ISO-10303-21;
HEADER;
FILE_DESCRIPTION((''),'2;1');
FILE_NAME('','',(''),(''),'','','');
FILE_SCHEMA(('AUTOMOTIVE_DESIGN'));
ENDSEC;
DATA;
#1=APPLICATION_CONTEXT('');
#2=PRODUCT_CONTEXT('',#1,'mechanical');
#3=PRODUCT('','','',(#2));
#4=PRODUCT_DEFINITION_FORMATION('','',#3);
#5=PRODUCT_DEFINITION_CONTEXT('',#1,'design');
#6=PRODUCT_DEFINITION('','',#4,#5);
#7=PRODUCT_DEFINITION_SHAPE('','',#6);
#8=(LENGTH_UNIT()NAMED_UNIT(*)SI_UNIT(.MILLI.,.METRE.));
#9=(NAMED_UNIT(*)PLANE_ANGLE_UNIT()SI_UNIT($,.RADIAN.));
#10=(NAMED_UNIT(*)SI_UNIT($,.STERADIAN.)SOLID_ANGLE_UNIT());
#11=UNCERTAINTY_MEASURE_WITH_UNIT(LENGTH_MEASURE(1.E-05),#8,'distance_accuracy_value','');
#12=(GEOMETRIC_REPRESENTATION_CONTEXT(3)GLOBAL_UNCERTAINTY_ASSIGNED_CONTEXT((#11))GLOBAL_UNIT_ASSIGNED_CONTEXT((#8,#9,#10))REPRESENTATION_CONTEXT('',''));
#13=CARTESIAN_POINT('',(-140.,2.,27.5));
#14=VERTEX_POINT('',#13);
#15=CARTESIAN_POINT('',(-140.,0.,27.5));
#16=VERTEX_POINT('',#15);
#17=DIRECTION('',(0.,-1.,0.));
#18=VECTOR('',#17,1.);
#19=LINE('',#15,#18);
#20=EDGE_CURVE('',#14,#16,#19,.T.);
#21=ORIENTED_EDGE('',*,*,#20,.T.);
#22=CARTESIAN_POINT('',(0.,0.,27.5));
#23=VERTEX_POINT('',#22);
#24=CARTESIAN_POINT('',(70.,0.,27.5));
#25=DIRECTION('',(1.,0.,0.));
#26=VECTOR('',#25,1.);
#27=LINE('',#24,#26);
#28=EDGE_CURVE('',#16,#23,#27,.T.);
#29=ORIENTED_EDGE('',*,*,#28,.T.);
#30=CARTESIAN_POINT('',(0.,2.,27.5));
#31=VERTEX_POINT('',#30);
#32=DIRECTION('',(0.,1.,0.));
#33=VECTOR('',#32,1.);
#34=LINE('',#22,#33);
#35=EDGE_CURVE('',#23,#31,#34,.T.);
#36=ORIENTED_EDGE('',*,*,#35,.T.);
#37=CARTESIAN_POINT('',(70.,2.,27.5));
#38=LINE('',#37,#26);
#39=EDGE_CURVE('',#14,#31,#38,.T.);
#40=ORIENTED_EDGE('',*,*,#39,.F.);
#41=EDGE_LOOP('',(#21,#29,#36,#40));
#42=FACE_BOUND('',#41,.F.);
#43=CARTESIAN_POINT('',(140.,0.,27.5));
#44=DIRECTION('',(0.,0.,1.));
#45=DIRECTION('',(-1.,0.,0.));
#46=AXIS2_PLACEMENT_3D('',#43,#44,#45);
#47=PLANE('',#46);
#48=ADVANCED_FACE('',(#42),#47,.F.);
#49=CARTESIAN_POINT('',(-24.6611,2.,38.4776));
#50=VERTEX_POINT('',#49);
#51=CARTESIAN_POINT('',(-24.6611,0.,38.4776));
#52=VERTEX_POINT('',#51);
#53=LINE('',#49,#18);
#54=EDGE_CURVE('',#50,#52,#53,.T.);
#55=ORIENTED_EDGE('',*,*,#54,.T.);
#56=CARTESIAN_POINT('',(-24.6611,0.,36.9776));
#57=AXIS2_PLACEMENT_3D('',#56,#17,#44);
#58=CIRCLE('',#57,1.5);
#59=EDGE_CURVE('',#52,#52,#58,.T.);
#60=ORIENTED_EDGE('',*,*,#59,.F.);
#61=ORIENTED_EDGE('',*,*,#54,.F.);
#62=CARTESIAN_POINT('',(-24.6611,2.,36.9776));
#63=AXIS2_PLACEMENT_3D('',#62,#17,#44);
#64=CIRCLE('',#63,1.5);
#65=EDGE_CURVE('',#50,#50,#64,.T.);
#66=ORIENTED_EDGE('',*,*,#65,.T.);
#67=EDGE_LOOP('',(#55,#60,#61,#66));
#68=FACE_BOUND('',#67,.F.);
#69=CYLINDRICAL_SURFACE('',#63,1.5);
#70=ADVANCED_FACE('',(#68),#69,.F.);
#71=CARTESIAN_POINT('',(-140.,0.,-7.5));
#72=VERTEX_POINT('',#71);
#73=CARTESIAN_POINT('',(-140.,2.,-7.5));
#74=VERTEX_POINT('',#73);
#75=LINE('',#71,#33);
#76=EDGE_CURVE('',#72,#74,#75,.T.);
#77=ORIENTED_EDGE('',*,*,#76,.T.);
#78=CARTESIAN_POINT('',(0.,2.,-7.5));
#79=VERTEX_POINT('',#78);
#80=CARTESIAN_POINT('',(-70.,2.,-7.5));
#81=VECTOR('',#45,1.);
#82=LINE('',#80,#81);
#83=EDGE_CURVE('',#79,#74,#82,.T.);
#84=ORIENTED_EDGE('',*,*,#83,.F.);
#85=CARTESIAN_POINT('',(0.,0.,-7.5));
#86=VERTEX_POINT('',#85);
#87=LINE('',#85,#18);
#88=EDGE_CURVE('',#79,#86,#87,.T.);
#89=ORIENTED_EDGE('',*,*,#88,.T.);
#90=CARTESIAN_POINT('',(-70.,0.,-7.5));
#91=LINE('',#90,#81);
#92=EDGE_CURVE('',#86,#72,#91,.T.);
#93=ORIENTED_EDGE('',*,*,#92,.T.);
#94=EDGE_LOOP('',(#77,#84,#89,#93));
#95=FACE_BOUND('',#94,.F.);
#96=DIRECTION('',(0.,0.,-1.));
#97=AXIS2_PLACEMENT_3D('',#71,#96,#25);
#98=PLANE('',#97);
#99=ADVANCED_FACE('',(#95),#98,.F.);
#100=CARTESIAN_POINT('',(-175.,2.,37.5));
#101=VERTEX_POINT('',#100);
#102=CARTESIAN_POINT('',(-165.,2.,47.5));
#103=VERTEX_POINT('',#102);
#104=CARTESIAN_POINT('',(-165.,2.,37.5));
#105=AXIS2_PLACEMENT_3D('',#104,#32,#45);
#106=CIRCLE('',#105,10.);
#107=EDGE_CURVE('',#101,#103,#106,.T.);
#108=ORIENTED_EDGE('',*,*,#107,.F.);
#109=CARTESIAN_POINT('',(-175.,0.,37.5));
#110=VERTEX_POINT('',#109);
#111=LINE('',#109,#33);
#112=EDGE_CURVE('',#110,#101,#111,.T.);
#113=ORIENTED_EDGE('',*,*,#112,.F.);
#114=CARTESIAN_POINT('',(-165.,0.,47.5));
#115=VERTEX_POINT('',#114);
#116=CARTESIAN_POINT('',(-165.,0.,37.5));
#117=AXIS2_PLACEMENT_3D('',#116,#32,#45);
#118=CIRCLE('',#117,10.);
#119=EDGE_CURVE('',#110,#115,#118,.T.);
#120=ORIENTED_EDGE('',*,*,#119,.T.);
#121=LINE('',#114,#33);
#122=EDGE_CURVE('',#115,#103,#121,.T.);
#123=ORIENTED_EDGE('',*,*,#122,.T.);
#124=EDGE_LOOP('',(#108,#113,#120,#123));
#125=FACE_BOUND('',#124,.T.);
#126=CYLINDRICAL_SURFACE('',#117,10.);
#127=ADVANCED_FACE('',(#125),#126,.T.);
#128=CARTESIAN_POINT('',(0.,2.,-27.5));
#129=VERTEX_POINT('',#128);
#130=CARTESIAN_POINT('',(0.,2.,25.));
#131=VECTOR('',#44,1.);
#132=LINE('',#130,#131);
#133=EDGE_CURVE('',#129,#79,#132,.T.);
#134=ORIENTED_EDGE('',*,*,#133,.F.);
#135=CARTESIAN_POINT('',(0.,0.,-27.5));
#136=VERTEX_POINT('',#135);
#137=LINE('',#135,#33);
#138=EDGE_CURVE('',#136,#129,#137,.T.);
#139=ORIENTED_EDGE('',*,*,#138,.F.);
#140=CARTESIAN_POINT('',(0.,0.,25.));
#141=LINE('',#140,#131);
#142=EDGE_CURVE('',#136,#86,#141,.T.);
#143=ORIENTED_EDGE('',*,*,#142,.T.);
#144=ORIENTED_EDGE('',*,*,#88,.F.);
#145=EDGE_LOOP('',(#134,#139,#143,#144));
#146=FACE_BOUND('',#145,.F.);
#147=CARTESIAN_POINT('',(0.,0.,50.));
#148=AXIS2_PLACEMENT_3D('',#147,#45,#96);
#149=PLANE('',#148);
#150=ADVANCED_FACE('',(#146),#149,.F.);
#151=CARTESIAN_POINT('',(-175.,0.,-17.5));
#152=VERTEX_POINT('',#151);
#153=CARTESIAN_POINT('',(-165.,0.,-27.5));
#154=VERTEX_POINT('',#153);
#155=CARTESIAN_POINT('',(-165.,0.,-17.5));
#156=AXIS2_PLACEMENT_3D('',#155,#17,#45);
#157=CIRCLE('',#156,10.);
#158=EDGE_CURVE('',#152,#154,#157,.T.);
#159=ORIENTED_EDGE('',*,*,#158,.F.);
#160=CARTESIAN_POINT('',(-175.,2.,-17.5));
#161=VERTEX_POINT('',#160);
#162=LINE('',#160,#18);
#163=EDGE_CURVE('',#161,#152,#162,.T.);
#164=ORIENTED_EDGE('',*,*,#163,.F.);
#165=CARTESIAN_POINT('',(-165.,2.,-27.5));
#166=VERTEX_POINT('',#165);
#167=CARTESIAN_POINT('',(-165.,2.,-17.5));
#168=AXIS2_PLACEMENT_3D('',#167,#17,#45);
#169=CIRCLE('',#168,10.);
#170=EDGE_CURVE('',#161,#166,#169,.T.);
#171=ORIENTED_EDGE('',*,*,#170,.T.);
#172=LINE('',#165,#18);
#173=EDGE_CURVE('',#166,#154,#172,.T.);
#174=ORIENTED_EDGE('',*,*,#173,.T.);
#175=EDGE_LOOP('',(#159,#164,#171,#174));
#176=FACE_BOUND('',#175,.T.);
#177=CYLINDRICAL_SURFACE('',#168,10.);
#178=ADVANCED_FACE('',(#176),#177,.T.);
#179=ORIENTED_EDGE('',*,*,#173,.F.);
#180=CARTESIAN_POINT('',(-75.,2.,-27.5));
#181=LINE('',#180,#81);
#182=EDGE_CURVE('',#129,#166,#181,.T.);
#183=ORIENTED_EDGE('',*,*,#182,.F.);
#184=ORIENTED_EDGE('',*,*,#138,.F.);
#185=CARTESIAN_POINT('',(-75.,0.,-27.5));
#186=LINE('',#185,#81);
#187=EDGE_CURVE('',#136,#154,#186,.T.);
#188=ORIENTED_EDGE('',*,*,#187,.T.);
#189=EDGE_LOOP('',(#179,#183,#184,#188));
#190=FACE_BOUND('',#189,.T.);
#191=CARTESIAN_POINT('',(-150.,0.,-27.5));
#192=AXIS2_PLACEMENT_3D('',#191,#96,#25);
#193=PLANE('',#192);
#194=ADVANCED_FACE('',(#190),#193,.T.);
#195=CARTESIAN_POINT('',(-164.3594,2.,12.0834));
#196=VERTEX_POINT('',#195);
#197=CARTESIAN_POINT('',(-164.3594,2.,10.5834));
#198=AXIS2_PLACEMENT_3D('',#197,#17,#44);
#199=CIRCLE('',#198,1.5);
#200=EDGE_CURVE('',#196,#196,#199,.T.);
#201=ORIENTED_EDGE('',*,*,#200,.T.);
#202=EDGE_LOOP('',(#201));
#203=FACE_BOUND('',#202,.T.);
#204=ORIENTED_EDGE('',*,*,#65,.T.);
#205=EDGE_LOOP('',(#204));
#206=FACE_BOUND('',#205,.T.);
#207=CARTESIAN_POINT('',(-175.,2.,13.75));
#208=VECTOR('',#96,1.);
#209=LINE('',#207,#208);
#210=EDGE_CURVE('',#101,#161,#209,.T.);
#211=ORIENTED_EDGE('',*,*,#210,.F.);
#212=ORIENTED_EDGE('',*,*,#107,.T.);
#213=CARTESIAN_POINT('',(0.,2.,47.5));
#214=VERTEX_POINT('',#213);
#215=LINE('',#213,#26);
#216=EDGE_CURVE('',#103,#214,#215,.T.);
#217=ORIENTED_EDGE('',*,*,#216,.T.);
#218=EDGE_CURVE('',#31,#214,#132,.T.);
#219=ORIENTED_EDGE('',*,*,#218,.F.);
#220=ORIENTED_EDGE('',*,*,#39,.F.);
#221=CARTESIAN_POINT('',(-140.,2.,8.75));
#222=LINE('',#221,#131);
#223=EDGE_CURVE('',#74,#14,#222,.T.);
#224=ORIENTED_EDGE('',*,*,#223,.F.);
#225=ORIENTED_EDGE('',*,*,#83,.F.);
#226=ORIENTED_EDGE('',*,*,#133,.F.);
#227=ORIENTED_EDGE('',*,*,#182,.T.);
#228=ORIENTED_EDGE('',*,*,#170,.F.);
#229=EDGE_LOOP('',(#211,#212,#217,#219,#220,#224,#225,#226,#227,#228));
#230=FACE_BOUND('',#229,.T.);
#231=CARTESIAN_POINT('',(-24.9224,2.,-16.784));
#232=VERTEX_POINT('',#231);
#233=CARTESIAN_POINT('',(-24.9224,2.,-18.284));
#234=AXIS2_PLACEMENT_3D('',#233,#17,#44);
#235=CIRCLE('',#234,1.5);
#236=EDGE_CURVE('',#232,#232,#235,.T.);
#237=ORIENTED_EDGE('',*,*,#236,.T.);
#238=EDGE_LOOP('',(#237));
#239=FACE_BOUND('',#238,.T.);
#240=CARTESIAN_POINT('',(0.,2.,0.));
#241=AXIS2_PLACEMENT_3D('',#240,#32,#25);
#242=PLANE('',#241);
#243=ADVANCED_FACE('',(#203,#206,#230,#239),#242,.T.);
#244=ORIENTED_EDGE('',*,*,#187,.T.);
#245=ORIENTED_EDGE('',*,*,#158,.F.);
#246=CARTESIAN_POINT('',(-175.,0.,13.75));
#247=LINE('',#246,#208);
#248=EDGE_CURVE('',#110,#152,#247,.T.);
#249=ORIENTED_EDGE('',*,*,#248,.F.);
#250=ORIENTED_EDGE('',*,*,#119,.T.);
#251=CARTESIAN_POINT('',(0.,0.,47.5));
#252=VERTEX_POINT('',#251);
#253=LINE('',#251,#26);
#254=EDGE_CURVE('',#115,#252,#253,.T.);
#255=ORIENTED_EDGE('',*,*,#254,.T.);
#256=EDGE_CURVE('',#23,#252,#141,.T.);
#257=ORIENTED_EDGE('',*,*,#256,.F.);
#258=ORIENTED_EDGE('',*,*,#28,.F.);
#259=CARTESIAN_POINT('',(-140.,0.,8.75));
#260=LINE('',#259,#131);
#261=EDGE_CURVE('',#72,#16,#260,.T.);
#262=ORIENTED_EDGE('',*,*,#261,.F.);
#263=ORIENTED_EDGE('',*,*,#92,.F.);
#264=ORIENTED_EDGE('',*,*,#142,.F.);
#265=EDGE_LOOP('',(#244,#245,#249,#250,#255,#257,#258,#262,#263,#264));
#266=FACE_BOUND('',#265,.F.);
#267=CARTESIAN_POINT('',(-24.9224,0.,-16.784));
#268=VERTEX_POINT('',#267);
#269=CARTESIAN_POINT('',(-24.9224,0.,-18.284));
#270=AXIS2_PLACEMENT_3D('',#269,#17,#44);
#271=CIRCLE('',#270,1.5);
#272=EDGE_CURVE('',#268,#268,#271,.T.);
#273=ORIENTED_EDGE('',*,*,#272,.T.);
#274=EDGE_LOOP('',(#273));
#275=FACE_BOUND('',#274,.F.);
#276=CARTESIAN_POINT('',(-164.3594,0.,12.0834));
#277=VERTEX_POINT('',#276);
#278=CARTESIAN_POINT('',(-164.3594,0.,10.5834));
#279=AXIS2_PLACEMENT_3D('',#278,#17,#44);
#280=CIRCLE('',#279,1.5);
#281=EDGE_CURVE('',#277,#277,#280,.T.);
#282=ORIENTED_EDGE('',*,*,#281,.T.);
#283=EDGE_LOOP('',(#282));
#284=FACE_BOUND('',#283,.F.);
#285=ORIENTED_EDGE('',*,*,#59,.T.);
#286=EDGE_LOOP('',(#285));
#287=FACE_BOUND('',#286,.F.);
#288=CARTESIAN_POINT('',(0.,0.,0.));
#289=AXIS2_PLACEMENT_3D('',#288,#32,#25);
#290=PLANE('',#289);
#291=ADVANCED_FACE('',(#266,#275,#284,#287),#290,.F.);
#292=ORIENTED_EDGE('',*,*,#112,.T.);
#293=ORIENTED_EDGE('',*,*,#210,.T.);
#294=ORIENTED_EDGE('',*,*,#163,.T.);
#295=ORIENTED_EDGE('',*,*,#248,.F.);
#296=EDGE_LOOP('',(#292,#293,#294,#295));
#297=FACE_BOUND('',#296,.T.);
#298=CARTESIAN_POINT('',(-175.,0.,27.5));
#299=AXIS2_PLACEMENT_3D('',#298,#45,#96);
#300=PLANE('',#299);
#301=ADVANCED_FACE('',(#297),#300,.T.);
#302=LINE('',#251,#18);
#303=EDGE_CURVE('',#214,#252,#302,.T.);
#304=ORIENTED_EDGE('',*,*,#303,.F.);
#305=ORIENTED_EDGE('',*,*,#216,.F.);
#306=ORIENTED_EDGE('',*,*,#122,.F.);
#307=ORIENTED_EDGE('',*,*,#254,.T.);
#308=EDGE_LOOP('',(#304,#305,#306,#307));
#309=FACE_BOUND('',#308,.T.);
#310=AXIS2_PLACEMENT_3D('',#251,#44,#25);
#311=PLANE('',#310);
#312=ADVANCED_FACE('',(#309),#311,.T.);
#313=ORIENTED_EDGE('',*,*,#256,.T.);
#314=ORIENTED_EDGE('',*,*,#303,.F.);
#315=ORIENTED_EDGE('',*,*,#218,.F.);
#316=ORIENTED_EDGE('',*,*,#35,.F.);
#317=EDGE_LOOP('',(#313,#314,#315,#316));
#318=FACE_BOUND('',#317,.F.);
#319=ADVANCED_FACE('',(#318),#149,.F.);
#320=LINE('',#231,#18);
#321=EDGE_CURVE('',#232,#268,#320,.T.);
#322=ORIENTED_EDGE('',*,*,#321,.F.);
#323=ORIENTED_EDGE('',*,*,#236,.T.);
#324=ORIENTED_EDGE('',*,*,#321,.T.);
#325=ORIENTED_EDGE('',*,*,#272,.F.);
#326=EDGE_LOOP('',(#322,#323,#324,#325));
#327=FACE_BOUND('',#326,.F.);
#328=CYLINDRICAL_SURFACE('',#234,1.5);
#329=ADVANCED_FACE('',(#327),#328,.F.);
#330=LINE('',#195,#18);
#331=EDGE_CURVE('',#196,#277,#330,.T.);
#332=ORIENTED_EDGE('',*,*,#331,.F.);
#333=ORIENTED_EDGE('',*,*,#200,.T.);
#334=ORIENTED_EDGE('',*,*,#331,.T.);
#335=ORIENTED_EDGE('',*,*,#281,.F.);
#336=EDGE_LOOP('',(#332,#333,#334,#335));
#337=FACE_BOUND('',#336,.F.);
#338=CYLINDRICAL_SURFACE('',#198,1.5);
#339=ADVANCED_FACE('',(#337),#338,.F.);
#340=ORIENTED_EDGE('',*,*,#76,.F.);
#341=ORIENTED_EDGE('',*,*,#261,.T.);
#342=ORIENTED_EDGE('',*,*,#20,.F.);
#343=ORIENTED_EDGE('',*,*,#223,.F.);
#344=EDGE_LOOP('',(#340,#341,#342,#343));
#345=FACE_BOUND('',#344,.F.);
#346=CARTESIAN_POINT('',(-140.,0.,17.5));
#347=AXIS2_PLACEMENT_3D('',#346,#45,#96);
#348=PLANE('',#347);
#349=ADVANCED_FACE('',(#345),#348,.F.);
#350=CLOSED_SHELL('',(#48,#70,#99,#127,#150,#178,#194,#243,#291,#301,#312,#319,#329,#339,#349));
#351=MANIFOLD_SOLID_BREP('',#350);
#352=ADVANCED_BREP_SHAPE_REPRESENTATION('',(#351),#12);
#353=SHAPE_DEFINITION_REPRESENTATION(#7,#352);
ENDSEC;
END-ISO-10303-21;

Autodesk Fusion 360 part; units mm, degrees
sketch "Sketch1" plane through (0, 0, 0) normal (0, 1, 0) x (1, 0, 0)
  line L0 (140, -17.5) -> (-140, -17.5)
  line L1 (-140, -17.5) -> (-140, 17.5)
  line L2 (-140, 17.5) -> (140, 17.5)
  line L3 (140, 17.5) -> (140, -17.5)
  line L4 (140, -17.5) -> (-140, 17.5) construction
  line L5 (-140, -17.5) -> (140, 17.5) construction
  line L6 (150, -27.5) -> (-150, -27.5)
  line L7 (-150, -27.5) -> (-150, 27.5)
  line L8 (-150, 27.5) -> (150, 27.5)
  line L9 (150, 27.5) -> (150, -27.5)
  line L10 (150, -27.5) -> (-150, 27.5) construction
  line L11 (-150, -27.5) -> (150, 27.5) construction
  dimension "d1" = 280
  dimension "d2" = 35
  dimension "d3" = 300
  dimension "d4" = 55
extrude "Extrude1" add sketch "Sketch1" along normal blind 2
sketch "Sketch2" plane through (0, 0, 27.5) normal (0, 0, 1) x (1, 0, 0)
  line L0 (-150, 0) -> (150, 0)
  line L1 (150, 0) -> (150, 2)
  line L2 (150, 2) -> (-150, 2)
  line L3 (-150, 2) -> (-150, 0)
extrude "Extrude2" add sketch "Sketch2" along normal blind 20
move_face "OffsetFaces1" offset 25 1 faces at (-150, 0.6667, 22.5)
sketch "Sketch3" plane through (0, 0, 0) normal (0, 1, 0) x (1, 0, 0)
  line L0 (155, -50) -> (0, -50)
  line L1 (0, -50) -> (0, 50)
  line L2 (0, 50) -> (155, 50)
  line L3 (155, 50) -> (155, -50)
extrude "Extrude3" cut sketch "Sketch3" along normal blind 60
fillet "Fillet1" radius 10 1 edges at (-175, 1, 47.5)
fillet "Fillet2" radius 10 1 edges at (-175, 1, -27.5)
move_face "OffsetFaces2" offset -10 1 faces at (-46.6667, 0.6667, 17.5)
move_face "OffsetFaces3" offset 10 1 faces at (-93.3333, 0.6667, -17.5)
hole "Hole1" at (-164.3594, 2, 10.5834) direction (0, -1, 0) diameter 3 depth 5 tip angle 118
hole "Hole2" at (-24.6611, 2, 36.9776) direction (0, -1, 0) diameter 3 depth 5 tip angle 118
hole "Hole3" at (-24.9224, 2, -18.284) direction (0, -1, 0) diameter 3 depth 5 tip angle 118
